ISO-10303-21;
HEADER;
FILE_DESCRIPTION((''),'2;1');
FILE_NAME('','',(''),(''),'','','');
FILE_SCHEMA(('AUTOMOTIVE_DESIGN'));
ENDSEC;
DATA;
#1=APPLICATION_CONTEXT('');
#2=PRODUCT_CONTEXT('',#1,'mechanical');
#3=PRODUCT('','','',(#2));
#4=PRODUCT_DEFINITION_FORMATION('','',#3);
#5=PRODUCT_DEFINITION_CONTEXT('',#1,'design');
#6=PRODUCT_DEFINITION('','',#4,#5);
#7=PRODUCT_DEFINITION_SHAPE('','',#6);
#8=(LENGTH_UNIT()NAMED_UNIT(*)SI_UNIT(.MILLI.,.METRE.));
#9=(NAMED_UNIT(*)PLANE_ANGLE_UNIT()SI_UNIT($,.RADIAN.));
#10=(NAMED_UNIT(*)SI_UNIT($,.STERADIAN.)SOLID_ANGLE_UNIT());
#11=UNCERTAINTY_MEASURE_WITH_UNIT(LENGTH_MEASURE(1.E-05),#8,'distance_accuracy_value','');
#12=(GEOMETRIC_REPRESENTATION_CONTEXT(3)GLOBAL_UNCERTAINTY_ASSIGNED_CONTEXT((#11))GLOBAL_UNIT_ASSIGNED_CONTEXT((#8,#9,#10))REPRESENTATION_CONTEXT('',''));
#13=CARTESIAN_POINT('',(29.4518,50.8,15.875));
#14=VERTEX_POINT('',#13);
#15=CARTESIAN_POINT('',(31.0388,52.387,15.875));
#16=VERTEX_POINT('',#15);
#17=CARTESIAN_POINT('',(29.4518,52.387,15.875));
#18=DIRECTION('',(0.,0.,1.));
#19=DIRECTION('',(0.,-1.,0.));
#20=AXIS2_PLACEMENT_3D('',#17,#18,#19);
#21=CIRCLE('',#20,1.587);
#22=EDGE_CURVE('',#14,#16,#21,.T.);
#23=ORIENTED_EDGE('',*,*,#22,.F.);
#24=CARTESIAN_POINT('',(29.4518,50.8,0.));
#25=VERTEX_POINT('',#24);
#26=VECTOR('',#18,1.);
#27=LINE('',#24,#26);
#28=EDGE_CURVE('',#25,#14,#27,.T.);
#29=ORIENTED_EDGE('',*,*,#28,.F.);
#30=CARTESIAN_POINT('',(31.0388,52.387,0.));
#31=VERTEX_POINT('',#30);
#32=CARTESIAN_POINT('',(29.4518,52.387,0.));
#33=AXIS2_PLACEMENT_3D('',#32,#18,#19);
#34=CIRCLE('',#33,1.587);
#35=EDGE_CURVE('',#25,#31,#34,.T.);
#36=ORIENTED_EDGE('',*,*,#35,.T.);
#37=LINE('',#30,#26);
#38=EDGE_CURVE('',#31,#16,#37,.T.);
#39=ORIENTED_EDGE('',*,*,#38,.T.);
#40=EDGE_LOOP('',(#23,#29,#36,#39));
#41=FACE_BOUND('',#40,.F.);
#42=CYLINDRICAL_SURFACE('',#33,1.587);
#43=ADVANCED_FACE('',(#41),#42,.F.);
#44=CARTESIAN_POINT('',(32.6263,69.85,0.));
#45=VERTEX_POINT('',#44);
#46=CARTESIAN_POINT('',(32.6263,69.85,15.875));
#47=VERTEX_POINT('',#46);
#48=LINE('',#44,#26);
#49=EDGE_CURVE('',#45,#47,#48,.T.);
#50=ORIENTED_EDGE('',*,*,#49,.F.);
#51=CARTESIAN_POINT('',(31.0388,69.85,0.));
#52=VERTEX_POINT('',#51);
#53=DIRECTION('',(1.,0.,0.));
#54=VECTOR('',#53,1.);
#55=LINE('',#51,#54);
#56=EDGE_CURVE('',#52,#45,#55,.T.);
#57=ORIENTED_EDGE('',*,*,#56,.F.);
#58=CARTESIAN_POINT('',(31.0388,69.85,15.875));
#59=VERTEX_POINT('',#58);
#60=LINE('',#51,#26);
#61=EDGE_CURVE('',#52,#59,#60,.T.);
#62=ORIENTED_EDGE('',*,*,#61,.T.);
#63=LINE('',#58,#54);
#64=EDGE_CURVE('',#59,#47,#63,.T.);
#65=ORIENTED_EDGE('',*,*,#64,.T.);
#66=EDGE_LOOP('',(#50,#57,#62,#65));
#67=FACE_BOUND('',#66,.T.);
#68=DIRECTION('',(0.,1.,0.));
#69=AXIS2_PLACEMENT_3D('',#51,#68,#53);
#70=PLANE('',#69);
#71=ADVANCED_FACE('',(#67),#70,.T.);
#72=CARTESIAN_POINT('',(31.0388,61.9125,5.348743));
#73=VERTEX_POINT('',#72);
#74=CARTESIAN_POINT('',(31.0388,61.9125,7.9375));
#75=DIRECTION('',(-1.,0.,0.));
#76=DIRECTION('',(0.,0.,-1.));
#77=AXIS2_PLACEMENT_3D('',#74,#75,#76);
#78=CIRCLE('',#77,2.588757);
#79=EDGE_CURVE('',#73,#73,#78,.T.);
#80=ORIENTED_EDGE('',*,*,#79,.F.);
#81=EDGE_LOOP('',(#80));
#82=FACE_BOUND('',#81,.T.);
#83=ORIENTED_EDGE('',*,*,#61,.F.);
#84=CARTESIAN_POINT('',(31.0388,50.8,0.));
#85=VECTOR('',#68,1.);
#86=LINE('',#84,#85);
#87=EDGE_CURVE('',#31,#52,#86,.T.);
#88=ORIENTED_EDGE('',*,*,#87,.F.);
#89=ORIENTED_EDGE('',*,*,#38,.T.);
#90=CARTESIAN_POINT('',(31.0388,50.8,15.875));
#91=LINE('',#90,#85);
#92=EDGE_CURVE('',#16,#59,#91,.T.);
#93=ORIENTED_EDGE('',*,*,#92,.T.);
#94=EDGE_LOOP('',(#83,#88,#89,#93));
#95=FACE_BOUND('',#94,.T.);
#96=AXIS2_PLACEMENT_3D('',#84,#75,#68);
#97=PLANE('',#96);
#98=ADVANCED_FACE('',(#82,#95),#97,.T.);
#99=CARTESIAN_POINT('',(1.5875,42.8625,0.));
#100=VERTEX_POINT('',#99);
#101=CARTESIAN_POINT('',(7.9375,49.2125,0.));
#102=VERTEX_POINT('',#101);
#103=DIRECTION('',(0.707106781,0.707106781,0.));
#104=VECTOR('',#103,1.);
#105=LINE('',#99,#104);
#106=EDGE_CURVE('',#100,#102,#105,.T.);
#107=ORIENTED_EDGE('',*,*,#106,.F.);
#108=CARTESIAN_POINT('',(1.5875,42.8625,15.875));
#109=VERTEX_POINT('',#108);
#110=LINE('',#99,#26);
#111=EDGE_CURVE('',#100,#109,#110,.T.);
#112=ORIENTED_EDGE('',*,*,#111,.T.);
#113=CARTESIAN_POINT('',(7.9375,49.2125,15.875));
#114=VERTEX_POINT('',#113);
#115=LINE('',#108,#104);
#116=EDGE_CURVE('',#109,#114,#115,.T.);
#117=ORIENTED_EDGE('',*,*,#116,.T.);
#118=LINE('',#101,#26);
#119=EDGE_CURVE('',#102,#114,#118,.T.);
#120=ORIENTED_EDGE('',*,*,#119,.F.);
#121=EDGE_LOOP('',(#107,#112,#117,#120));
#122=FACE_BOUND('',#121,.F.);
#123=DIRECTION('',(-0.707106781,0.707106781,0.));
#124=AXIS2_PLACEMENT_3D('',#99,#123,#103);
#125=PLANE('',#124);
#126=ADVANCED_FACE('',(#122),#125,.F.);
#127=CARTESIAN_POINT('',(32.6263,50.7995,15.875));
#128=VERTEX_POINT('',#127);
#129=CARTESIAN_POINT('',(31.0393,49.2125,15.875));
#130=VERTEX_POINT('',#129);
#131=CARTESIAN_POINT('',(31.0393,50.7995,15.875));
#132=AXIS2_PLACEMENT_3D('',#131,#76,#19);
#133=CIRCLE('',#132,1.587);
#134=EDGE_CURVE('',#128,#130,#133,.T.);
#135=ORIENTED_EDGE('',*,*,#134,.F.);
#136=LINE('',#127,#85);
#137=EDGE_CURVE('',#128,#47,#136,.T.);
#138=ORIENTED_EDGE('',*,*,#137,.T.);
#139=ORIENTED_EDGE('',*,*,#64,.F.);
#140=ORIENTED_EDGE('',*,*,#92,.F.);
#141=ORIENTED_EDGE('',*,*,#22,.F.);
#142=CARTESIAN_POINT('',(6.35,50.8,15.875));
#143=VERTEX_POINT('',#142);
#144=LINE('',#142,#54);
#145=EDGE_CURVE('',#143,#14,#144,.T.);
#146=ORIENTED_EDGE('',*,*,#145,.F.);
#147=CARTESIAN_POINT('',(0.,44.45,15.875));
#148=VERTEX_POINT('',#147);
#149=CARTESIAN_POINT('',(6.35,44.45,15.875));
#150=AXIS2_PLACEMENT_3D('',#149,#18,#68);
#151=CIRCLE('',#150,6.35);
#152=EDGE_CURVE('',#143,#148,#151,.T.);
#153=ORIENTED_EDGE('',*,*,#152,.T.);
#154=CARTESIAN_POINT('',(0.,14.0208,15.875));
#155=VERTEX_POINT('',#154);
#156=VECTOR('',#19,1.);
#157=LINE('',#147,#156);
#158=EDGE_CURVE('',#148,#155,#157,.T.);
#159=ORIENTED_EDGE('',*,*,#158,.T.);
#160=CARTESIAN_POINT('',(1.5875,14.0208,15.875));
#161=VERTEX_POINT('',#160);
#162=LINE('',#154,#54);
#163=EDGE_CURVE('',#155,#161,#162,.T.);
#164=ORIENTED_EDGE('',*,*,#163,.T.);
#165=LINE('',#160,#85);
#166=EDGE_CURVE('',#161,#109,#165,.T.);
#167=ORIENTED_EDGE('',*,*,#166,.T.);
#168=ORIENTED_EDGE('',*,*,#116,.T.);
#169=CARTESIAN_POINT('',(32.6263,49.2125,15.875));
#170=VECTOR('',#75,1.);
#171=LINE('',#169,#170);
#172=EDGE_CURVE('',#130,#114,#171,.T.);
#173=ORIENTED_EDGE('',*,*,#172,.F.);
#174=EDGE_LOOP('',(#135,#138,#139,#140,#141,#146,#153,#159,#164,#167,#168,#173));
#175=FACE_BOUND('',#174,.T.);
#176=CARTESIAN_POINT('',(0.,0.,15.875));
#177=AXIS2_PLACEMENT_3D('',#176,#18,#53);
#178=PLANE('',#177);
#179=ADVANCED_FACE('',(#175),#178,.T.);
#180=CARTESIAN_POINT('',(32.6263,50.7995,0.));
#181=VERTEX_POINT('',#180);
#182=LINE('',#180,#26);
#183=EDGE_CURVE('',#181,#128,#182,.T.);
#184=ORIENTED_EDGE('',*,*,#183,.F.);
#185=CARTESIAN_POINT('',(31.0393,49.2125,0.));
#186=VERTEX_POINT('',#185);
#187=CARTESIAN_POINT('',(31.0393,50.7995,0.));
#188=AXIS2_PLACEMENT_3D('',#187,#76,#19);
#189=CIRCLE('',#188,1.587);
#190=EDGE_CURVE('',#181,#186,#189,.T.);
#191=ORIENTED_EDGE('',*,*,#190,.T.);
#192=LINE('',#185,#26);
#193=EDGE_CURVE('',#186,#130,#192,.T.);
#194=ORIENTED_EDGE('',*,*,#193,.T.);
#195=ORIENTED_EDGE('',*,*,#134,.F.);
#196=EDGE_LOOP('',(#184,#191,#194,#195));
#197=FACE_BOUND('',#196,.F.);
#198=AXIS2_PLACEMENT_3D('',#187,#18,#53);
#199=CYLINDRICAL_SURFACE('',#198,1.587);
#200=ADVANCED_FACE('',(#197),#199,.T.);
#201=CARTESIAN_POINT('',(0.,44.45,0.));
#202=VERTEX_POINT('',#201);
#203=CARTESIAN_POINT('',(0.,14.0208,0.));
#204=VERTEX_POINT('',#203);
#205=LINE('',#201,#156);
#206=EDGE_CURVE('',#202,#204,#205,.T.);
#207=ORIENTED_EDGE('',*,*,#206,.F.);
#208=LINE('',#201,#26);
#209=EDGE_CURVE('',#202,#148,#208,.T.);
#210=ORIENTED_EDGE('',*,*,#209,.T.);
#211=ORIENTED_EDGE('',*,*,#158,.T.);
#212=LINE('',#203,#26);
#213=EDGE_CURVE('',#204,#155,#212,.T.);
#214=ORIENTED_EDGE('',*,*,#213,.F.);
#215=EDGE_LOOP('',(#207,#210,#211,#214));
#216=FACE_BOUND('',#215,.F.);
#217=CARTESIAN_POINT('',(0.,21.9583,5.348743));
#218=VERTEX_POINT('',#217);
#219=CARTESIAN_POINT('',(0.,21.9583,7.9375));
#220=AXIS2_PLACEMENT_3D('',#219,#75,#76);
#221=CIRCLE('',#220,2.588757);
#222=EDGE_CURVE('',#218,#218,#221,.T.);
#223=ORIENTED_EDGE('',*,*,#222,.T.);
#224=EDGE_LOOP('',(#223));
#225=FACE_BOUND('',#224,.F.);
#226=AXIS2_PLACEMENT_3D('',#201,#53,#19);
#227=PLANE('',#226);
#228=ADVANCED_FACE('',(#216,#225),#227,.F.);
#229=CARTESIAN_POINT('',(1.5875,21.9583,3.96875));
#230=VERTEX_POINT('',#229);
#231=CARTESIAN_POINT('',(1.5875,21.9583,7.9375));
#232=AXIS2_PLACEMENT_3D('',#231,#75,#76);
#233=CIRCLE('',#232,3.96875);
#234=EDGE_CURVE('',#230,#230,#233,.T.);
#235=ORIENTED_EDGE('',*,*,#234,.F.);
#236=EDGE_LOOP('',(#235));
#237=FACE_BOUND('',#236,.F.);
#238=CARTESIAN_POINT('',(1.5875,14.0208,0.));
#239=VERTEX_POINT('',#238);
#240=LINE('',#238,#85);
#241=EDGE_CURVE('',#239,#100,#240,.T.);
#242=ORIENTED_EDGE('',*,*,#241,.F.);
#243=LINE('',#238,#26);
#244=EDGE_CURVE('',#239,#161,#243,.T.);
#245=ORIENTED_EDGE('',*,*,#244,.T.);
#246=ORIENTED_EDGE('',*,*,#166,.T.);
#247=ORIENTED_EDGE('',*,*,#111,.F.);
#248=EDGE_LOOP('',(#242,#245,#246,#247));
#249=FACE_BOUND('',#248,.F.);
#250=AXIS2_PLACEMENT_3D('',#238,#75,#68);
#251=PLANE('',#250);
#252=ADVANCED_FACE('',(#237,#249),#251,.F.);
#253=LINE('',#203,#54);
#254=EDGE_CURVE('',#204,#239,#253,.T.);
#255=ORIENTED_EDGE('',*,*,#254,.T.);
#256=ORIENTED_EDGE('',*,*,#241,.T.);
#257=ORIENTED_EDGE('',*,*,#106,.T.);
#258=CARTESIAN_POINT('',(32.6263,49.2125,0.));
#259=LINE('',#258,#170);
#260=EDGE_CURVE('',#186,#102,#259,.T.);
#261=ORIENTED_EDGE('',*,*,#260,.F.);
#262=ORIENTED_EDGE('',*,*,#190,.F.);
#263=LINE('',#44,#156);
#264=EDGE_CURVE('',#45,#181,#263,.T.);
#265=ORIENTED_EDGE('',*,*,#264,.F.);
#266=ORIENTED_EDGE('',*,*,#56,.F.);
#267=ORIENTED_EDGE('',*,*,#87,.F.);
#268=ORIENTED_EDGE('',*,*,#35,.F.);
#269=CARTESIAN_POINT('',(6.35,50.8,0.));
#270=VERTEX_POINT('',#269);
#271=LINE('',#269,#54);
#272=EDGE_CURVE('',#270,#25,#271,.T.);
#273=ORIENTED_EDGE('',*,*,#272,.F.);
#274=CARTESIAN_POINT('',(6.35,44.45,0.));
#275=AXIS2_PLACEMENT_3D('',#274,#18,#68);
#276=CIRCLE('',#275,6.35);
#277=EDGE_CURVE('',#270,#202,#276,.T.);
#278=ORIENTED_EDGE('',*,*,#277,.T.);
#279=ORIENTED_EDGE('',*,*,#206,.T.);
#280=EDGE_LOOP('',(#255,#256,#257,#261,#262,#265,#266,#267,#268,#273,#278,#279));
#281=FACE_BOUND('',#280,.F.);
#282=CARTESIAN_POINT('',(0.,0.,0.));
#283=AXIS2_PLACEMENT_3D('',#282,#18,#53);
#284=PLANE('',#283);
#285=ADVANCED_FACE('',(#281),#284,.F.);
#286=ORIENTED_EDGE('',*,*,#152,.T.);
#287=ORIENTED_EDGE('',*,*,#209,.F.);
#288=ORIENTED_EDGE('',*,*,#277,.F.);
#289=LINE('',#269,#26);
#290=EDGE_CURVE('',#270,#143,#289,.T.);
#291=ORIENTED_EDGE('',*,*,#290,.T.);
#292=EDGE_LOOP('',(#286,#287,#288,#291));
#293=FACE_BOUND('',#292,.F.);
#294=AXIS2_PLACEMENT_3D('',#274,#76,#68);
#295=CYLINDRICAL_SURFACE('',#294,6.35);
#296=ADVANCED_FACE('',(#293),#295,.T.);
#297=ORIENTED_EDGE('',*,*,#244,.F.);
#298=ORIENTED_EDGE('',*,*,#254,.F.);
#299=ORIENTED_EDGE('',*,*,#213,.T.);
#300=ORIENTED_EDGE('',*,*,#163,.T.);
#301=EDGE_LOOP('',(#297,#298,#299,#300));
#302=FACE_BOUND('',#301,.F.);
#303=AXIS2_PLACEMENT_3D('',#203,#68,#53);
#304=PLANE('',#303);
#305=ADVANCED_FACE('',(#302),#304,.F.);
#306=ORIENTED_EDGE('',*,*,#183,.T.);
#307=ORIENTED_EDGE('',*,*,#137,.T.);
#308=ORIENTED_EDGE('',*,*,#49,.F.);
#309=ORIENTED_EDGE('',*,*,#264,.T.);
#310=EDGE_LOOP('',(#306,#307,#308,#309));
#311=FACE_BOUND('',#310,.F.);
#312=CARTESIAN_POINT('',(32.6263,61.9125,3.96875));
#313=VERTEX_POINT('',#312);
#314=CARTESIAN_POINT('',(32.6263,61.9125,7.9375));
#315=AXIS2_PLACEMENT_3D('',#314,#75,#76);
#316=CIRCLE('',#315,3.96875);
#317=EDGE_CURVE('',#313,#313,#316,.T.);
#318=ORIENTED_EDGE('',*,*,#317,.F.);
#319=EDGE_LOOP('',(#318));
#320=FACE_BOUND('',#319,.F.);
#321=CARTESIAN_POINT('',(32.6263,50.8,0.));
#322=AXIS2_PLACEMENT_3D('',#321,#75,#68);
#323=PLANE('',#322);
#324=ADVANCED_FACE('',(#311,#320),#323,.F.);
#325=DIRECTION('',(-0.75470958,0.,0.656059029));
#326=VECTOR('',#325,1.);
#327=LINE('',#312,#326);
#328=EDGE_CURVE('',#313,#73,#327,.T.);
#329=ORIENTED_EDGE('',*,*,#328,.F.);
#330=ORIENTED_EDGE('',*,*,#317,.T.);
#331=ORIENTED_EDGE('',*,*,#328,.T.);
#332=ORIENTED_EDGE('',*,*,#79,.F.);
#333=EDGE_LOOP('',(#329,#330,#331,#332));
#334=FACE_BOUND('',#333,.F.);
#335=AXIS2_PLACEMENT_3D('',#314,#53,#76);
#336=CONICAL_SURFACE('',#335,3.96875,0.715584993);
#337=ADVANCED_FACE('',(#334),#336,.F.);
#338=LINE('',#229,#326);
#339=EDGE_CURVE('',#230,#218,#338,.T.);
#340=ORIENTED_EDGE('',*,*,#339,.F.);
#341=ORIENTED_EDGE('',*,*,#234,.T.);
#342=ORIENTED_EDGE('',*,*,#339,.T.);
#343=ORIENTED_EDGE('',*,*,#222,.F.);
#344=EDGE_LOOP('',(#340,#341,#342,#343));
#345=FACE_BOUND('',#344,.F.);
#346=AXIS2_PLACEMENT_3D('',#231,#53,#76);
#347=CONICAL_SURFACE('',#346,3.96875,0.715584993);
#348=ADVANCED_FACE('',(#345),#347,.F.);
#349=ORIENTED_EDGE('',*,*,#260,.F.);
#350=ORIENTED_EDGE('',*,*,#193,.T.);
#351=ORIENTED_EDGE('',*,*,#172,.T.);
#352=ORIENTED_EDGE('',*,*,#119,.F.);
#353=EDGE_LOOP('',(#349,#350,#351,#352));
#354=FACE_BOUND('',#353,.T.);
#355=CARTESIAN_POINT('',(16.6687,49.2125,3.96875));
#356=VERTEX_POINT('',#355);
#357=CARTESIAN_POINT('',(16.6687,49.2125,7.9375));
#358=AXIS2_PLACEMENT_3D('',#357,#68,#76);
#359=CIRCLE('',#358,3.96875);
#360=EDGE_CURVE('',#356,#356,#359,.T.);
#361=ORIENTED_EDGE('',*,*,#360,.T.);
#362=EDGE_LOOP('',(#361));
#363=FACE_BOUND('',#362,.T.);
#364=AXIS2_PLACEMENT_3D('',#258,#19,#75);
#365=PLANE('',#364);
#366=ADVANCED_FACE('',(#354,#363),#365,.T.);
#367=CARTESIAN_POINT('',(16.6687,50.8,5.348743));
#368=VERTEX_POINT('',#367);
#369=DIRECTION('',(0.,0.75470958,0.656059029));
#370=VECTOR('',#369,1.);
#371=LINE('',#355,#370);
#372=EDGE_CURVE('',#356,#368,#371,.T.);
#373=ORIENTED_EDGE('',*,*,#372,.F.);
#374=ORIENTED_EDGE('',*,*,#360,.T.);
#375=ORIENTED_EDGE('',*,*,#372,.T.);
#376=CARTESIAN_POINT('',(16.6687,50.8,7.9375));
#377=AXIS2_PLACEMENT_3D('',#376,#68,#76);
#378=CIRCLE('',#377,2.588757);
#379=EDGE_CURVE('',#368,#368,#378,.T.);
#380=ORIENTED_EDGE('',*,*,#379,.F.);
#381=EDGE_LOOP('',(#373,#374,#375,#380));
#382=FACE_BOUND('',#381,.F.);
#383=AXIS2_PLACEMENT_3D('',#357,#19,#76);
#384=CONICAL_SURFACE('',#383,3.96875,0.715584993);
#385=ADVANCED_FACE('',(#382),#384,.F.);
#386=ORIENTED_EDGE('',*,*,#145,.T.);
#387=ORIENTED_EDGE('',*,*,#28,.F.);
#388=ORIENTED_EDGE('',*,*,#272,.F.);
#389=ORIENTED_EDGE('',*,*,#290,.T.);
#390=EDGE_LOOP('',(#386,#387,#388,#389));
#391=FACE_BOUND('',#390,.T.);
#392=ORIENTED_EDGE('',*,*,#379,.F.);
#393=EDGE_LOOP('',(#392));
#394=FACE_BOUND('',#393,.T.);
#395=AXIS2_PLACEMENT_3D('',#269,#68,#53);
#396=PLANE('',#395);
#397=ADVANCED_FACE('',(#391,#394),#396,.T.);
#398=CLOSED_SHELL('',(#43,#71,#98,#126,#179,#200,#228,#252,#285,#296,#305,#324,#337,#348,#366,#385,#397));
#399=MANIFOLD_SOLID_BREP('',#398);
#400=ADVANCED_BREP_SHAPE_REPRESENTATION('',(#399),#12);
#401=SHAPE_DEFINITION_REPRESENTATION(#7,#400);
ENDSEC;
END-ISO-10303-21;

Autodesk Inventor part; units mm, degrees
ref_plane "YZ Plane" through (0, 0, 0) normal (1, 0, 0) x (0, 1, 0)
ref_plane "XZ Plane" through (0, 0, 0) normal (0, 1, 0) x (-1, 0, 0)
ref_plane "XY Plane" through (0, 0, 0) normal (0, 0, 1) x (1, 0, 0)
sketch "Sketch1" plane through (0, 0, 0) normal (0, 0, 1) x (1, 0, 0)
  line L0 (1.5875, 14.0208) -> (1.5875, 42.8625)
  line L1 (0, 44.45) -> (0, 14.0208)
  line L2 (6.35, 50.8) -> (31.0388, 50.8)
  line L3 (32.6263, 49.2125) -> (7.9375, 49.2125)
  arc A0 (6.35, 50.8) -> (0, 44.45) centre (6.35, 44.45) ccw
  line L4 (1.5875, 42.8625) -> (7.9375, 49.2125)
  line L5 (31.0388, 50.8) -> (31.0388, 69.85)
  line L6 (32.6263, 50.8) -> (32.6263, 69.85)
  line L7 (31.0388, 69.85) -> (32.6263, 69.85)
  line L8 (32.6263, 50.8) -> (32.6263, 49.2125)
  line L9 (0, 14.0208) -> (1.5875, 14.0208)
  point P0 (0, 0)
  point P1 (1.8599, 48.9401)
  point P2 (4.7625, 46.0375)
  dimension "d7" = 1.5875
  dimension "d8" = 19.05
  dimension "d48" = 24.6888
extrude "Extrusion1" add sketch "Sketch1" along normal blind 15.875
fillet "Fillet1" radius 1.5875 2 edges at (31.0388, 50.8, 7.9375) (32.6263, 49.2125, 7.9375)
sketch "Sketch2" plane through (32.6263, 69.85, 15.875) normal (1, 0, 0) x (0, 0, -1)
  line L0 (15.875, 0) -> (0, 0) projected
  point P0 (15.875, -69.85)
  point P1 (7.9375, -7.9375)
  dimension "d12" = 7.9375
sketch "Sketch5" plane through (7.9375, 49.2125, 0) normal (0, -1, 0) x (1, 0, 0)
  point P0 (-7.9375, 0)
  point P1 (8.7312, 7.9375)
sketch "Sketch6" plane through (1.5875, 14.0208, 0) normal (1, 0, 0) x (0, 0, -1)
  line L0 (0, 0) -> (-15.875, 0) projected
  line L1 (0, 0) -> (0, 28.8417) projected
  line L2 (0, 28.8417) -> (-15.875, 28.8417) projected
  line L3 (-15.875, 0) -> (-15.875, 28.8417) projected
  line L4 (0, 0) -> (-15.875, 0) projected
  point P0 (-7.9375, 7.9375)
  point P1 (-7.9375, 30.1625)
  dimension "d15" = 7.9375
hole "Hole2" at (16.6687, 49.2125, 7.9375) direction (0, 1, 0) diameter 4.7625 end through all countersink diameter 7.9375 countersink angle 82
hole "Hole3" at (32.6263, 61.9125, 7.9375) direction (-1, 0, 0) diameter 4.7625 end through all countersink diameter 7.9375 countersink angle 82
hole "Hole4" at (1.5875, 21.9583, 7.9375) direction (-1, 0, 0) diameter 4.7625 end through all countersink diameter 7.9375 countersink angle 82
properties part number "bracket"
